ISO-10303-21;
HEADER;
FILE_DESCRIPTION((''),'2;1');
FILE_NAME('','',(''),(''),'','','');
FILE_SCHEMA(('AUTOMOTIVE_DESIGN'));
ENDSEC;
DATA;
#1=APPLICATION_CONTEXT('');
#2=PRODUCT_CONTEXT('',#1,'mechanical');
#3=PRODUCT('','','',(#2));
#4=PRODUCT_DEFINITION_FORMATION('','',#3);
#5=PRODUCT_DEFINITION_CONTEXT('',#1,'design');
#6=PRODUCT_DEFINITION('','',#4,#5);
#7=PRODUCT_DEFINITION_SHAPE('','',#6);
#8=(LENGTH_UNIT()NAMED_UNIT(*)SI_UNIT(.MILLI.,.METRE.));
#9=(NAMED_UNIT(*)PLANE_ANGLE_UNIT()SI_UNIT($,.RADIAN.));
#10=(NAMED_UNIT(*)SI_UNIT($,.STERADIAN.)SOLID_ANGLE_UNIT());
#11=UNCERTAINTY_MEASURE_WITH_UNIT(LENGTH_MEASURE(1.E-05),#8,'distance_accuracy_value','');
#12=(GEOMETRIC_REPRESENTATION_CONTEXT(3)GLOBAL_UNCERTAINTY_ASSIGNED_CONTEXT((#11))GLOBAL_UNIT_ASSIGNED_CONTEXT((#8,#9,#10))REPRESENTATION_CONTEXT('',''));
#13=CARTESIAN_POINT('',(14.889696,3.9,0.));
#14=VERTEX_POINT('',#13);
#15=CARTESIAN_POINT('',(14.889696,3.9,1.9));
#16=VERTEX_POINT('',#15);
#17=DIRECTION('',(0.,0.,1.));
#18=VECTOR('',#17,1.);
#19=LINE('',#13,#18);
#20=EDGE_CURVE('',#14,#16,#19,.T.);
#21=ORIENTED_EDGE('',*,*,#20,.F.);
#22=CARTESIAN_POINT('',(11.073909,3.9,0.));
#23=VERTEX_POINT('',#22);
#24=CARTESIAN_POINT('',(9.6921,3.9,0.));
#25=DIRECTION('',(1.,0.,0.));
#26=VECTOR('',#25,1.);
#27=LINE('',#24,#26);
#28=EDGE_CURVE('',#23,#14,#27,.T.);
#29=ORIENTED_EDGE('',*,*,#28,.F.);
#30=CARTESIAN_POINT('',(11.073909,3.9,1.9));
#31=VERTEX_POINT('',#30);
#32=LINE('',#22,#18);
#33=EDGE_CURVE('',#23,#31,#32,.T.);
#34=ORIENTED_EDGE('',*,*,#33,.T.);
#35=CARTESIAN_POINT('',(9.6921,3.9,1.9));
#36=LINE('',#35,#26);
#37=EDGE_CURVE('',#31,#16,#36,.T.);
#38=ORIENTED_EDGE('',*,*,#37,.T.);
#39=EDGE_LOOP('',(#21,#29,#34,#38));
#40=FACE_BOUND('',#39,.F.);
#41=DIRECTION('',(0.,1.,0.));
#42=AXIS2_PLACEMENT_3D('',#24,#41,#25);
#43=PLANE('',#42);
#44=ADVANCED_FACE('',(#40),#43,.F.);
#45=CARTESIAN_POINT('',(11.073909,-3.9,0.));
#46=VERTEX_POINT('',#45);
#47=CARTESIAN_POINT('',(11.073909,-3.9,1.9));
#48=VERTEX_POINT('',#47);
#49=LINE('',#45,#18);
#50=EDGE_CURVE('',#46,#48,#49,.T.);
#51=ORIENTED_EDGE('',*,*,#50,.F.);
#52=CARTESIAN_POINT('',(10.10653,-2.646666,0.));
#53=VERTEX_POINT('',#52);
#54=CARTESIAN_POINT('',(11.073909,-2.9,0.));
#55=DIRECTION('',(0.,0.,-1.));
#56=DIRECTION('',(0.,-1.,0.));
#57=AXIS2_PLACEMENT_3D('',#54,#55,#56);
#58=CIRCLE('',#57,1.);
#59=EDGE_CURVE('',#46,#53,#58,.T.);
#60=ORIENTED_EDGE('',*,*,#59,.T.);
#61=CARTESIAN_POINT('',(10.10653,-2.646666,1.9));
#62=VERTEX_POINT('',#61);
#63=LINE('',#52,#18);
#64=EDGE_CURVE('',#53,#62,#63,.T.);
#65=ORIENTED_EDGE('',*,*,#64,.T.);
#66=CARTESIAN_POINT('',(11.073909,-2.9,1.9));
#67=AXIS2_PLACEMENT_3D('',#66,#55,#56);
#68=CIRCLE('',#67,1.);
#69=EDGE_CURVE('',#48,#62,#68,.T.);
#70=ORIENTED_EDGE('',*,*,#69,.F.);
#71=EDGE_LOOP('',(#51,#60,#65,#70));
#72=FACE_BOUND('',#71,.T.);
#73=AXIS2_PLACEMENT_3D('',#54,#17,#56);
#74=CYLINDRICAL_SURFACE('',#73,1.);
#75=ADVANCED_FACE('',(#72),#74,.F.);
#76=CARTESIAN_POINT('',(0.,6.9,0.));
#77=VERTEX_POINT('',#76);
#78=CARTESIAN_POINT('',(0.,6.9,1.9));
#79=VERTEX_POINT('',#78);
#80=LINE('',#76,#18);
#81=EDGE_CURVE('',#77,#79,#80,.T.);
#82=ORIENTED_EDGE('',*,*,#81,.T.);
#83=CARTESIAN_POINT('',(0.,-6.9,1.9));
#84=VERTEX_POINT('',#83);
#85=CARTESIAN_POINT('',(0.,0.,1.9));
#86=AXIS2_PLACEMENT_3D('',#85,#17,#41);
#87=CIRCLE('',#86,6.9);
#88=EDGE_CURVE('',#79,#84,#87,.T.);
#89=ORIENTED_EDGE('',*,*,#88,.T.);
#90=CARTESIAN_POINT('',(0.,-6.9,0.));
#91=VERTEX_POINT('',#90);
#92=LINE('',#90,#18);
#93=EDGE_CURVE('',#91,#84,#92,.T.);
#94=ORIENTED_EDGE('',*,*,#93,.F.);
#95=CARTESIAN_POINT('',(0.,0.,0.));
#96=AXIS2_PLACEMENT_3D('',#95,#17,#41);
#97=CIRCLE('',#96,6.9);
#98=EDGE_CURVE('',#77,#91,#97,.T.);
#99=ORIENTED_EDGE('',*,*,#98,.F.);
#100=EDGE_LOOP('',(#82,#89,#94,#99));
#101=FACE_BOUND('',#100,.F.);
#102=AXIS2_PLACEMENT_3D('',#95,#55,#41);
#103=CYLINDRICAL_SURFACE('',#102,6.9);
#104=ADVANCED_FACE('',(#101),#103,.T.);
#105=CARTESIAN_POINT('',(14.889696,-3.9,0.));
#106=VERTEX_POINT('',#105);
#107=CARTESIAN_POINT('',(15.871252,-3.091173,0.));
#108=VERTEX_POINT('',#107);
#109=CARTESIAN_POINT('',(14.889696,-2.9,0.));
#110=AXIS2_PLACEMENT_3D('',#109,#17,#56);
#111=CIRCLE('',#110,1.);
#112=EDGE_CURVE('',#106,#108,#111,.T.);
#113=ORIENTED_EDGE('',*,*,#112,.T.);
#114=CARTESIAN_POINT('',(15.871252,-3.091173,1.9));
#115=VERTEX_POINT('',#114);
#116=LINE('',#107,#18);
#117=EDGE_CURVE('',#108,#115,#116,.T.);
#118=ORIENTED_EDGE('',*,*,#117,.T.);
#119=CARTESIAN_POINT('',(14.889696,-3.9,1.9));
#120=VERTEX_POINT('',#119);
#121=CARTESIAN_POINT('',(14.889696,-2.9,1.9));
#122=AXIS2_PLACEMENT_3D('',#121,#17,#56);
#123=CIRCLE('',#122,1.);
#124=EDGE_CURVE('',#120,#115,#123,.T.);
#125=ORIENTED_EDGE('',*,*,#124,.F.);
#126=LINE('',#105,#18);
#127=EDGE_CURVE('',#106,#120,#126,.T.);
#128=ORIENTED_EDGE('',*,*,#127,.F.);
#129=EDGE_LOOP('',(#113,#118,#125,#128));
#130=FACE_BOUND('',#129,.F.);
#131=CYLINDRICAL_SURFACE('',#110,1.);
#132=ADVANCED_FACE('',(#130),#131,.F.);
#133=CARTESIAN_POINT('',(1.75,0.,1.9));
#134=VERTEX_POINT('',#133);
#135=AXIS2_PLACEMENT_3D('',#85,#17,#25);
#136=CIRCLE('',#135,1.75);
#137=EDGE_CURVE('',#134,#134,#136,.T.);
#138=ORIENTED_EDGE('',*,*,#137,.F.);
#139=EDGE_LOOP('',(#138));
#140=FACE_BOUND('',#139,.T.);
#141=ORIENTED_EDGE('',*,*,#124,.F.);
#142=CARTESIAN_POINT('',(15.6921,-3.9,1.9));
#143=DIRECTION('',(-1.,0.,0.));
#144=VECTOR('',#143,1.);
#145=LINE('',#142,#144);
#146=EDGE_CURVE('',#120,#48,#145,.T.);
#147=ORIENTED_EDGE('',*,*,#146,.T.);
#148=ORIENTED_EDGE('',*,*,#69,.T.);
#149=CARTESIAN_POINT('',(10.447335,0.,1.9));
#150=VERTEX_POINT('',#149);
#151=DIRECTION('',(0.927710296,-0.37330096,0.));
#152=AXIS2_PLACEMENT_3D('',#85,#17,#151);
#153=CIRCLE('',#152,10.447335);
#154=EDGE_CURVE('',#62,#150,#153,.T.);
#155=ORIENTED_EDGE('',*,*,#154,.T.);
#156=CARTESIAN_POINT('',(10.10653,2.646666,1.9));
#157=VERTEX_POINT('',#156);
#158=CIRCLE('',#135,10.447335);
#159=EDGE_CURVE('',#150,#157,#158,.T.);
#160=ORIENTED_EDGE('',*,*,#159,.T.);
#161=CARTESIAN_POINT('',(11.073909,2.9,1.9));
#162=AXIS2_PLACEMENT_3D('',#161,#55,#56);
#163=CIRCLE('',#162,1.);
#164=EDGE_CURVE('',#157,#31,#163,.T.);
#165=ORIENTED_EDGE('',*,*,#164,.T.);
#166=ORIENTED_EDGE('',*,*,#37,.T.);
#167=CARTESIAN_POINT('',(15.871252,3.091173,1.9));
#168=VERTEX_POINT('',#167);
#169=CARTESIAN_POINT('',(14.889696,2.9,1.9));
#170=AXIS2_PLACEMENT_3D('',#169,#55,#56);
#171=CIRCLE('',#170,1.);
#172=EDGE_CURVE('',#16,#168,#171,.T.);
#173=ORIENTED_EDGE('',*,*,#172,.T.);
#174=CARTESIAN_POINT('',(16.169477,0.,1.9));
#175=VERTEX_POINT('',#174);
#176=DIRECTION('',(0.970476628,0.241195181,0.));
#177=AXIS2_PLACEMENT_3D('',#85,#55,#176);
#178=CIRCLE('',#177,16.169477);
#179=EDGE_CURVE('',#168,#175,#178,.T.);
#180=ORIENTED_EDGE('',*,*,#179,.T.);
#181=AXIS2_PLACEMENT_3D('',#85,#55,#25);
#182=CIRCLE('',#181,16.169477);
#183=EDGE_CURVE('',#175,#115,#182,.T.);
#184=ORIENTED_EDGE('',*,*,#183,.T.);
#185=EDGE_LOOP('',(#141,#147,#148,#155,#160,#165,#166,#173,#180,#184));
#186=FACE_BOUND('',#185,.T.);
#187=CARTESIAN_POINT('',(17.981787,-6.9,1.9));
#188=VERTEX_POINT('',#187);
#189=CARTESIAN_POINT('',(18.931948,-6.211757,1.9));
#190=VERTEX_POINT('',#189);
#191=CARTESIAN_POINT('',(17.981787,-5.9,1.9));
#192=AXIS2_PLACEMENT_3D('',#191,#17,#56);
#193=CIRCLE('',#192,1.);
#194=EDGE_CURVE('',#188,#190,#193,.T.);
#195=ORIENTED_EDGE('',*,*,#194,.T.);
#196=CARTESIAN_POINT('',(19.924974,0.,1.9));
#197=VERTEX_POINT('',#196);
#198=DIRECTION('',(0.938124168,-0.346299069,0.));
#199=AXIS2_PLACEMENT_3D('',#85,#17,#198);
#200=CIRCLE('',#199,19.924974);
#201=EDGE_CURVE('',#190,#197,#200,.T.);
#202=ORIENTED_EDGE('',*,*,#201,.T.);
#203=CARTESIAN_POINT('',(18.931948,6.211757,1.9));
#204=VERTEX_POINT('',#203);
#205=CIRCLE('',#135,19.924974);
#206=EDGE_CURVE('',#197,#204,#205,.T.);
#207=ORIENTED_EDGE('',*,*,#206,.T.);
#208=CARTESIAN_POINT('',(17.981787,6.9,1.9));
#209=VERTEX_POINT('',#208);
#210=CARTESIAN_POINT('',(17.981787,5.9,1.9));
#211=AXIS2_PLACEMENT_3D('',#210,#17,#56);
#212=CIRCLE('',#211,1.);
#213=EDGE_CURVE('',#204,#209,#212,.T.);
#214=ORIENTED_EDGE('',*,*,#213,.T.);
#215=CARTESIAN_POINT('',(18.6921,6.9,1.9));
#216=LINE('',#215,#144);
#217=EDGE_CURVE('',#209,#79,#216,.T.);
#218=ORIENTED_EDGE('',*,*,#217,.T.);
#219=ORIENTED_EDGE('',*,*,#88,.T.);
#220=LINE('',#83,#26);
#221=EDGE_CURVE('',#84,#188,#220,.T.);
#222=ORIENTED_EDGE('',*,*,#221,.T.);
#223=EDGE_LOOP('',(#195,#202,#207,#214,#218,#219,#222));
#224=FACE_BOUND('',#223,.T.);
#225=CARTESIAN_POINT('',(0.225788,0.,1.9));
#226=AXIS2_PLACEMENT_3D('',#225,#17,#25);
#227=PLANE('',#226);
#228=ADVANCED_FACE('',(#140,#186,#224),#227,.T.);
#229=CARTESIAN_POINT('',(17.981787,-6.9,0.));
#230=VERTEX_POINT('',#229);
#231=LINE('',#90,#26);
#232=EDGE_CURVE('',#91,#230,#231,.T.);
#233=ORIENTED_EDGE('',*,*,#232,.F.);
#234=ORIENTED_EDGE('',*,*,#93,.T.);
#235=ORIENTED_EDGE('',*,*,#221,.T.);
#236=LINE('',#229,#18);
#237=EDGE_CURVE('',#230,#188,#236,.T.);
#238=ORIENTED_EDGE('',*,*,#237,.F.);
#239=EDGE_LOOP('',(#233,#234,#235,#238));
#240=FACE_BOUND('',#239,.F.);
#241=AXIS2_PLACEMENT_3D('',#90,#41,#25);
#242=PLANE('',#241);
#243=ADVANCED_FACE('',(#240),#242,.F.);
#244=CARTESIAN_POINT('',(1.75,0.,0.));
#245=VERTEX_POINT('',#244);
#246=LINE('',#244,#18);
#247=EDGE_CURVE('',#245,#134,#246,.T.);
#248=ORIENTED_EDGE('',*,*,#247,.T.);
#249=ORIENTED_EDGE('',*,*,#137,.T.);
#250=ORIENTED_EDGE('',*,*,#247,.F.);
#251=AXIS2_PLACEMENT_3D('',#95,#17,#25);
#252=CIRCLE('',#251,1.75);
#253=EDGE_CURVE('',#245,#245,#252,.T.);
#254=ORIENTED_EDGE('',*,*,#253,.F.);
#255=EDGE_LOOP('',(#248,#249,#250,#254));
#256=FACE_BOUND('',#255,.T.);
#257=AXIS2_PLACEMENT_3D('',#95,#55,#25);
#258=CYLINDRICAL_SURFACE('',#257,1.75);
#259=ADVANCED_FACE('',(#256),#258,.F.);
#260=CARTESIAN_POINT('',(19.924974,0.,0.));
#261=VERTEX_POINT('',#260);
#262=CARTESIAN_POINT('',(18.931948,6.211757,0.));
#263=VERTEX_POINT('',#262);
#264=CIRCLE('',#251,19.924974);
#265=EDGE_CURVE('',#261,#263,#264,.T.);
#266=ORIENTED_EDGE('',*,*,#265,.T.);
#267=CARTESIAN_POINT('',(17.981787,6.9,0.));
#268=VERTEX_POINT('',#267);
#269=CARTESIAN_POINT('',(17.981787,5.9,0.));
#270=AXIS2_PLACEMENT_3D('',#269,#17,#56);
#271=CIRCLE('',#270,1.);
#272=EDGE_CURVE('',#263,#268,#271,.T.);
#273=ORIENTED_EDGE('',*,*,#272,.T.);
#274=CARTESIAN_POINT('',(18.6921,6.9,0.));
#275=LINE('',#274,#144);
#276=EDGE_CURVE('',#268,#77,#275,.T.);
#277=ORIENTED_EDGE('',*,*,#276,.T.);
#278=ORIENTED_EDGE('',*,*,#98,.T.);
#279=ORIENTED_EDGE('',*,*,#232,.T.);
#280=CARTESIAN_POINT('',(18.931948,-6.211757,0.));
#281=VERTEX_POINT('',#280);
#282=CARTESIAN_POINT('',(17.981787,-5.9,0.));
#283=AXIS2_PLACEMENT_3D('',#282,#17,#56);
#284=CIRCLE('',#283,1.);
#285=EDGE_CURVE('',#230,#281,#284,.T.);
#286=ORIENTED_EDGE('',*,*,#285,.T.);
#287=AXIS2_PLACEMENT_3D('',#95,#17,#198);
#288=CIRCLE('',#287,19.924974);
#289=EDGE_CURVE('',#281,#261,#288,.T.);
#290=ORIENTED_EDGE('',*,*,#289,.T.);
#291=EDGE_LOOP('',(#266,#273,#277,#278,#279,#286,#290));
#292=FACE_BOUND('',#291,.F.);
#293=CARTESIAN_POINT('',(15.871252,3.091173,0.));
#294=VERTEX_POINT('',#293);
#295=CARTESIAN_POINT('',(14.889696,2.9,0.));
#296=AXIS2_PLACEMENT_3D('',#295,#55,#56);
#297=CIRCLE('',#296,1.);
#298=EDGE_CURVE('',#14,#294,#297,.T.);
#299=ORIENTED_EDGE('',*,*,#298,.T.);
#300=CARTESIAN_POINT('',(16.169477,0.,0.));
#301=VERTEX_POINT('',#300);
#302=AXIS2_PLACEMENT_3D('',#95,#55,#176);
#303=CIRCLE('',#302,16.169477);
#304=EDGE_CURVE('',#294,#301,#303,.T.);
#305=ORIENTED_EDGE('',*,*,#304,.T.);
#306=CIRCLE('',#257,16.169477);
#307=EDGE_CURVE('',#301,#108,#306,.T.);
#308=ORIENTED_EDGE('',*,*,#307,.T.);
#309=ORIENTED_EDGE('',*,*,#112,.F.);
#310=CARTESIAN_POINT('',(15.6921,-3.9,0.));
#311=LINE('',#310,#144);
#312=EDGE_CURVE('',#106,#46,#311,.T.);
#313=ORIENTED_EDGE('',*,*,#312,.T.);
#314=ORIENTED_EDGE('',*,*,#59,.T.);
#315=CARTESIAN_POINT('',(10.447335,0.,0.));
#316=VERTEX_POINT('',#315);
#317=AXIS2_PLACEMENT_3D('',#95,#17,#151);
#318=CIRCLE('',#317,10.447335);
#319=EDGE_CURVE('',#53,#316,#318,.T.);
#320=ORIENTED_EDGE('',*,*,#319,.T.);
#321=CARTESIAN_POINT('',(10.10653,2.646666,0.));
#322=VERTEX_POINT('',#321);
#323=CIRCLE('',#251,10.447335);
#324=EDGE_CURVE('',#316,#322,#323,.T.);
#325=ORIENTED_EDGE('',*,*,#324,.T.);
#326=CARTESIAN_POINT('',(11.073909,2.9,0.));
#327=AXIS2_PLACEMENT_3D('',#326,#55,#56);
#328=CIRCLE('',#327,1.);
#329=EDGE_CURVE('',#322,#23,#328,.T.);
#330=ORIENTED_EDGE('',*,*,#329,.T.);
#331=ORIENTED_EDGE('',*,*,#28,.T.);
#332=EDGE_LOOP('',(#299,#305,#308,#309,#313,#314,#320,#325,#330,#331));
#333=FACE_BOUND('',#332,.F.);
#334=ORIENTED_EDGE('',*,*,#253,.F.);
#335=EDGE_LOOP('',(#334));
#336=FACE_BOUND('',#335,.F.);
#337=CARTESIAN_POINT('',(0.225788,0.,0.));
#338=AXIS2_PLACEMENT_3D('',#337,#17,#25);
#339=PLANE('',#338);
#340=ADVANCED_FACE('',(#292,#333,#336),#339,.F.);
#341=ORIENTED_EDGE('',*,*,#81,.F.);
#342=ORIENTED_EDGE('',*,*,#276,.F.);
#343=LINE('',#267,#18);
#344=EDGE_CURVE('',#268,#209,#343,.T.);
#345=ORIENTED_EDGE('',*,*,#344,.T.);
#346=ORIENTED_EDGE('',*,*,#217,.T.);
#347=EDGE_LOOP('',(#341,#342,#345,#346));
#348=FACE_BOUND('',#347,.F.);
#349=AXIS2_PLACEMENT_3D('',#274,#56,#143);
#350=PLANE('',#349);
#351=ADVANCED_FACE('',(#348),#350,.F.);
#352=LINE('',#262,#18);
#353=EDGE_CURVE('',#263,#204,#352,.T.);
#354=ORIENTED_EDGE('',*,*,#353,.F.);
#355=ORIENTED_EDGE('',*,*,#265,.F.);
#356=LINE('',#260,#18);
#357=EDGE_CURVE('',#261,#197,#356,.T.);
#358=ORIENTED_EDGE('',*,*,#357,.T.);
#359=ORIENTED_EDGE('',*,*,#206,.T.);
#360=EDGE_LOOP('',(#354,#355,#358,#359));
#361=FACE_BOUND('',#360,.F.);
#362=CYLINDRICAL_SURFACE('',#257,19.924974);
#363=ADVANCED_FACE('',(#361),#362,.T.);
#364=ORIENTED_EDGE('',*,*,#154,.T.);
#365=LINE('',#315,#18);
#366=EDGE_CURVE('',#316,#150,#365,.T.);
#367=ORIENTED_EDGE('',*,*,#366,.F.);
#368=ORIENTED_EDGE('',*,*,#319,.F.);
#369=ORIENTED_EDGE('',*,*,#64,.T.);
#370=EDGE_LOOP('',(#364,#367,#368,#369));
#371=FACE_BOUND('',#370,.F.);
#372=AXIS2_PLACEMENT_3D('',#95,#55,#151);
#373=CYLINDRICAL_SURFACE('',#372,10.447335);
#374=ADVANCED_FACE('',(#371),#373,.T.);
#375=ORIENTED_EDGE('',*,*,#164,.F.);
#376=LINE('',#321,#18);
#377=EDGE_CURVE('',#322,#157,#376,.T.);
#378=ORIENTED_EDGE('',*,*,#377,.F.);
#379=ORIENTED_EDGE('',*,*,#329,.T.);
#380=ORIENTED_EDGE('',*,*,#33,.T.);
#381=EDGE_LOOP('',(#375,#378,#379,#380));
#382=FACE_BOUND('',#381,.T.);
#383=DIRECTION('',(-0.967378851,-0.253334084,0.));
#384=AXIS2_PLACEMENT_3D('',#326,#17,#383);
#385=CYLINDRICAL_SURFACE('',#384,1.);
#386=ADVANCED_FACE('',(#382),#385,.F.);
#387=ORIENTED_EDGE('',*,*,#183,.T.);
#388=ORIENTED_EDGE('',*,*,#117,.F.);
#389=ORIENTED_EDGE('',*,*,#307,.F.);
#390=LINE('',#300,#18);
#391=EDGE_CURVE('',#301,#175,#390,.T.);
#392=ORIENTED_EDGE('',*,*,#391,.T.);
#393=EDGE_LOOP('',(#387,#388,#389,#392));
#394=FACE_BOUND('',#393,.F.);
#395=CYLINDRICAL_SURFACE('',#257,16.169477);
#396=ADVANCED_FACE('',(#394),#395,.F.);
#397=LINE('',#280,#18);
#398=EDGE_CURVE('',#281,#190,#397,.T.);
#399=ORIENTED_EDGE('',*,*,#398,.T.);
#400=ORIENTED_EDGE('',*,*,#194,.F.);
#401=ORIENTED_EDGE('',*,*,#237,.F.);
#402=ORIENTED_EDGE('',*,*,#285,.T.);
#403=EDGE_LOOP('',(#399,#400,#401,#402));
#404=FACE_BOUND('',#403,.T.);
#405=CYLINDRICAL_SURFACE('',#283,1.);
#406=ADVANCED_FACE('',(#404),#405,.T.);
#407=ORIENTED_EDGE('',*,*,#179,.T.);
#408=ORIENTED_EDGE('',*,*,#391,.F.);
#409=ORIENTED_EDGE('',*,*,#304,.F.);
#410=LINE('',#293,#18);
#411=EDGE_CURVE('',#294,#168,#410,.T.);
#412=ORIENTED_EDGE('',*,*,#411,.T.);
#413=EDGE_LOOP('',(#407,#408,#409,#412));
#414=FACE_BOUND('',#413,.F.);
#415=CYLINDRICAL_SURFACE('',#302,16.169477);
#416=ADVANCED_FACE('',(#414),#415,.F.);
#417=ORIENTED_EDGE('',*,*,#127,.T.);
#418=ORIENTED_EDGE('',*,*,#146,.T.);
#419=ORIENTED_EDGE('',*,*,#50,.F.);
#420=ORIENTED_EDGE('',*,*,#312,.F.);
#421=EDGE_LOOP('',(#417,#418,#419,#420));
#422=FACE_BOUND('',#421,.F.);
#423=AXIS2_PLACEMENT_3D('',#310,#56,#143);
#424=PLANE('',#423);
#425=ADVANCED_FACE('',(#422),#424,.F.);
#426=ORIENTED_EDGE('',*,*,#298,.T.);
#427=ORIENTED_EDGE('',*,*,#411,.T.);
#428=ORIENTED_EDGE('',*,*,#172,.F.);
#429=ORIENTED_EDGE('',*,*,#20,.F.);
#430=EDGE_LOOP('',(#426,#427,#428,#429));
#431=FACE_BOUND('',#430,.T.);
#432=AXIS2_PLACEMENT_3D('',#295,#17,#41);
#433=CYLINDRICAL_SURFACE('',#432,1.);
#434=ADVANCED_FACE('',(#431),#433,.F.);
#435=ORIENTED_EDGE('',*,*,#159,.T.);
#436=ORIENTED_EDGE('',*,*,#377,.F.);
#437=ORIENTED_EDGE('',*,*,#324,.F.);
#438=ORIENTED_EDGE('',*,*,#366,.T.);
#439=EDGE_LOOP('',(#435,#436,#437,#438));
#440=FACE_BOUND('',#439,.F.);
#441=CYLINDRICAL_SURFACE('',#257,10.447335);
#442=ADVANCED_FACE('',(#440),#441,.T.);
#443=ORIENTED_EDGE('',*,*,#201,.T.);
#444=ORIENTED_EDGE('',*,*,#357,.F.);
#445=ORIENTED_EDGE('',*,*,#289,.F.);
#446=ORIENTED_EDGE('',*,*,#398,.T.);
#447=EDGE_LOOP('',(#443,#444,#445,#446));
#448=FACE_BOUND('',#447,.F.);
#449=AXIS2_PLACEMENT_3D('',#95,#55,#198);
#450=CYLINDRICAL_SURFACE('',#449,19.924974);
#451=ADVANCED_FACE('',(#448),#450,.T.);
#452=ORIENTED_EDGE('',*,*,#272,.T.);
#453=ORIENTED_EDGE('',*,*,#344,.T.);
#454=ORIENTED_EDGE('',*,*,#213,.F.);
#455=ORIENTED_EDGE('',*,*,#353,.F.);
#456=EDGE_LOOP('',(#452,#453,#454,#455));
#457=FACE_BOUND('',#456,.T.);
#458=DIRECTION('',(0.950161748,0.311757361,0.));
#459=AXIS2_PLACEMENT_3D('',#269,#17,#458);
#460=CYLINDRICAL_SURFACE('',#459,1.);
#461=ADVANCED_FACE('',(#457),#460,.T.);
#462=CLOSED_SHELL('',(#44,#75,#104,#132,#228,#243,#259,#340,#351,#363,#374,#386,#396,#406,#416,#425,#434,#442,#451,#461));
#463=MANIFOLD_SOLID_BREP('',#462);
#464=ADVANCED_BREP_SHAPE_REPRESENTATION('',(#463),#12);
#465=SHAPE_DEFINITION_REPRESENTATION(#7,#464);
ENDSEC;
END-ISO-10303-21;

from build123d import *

# Parameters (mm, degrees)
F0_R     = 1.75
F1_DEPTH = 1.9
F2_R     = 1


with BuildPart() as f1:
    # F0 (on Top) → F1 (new body)
    with BuildSketch(Plane.XY):
        with BuildLine():
            ThreePointArc((0, -6.9), (4.8790367902, -4.8790367902), (6.9, 0))
            ThreePointArc((6.9, 0), (4.8790367902, 4.8790367902), (0, 6.9))
            ThreePointArc((0, 6.9), (-6.9, 0), (0, -6.9))
        make_face()
        Circle(F0_R, mode=Mode.SUBTRACT)
        with BuildLine():
            ThreePointArc((0, 6.9), (4.8790367902, 4.8790367902), (6.9, 0))
            ThreePointArc((6.9, 0), (4.8790367902, -4.8790367902), (0, -6.9))
            Line((0, -6.9), (7.8445393942, -6.9))
            ThreePointArc((7.8445393942, -6.9), (8.8956971876, -5.4784459341), (9.6920997883, -3.9))
            ThreePointArc((9.6920997883, -3.9), (10.2567881638, -1.9862262888), (10.4473345073, 0))
            ThreePointArc((10.4473345073, 0), (10.2567881638, 1.9862262888), (9.6920997883, 3.9))
            ThreePointArc((9.6920997883, 3.9), (8.8956971876, 5.4784459341), (7.8445393942, 6.9))
            Line((7.8445393942, 6.9), (0, 6.9))
        make_face()
        with BuildLine():
            Line((14.6233373676, 6.9), (7.8445393942, 6.9))
            ThreePointArc((7.8445393942, 6.9), (8.8956971876, 5.4784459341), (9.6920997883, 3.9))
            Line((9.6920997883, 3.9), (15.6920997883, 3.9))
            ThreePointArc((15.6920997883, 3.9), (15.231757367, 5.4263766252), (14.6233373676, 6.9))
        make_face()
        with BuildLine():
            ThreePointArc((9.6920997883, -3.9), (8.8956971876, -5.4784459341), (7.8445393942, -6.9))
            Line((7.8445393942, -6.9), (14.6233373676, -6.9))
            ThreePointArc((14.6233373676, -6.9), (15.231757367, -5.4263766252), (15.6920997883, -3.9))
            Line((15.6920997883, -3.9), (9.6920997883, -3.9))
        make_face()
        with BuildLine():
            Line((18.6920997883, 6.9), (14.6233373676, 6.9))
            ThreePointArc((14.6233373676, 6.9), (15.231757367, 5.4263766252), (15.6920997883, 3.9))
            ThreePointArc((15.6920997883, 3.9), (16.0496892009, 1.9645539746), (16.169477288, 0))
            ThreePointArc((16.169477288, 0), (16.0496892009, -1.9645539746), (15.6920997883, -3.9))
            ThreePointArc((15.6920997883, -3.9), (15.231757367, -5.4263766252), (14.6233373676, -6.9))
            Line((14.6233373676, -6.9), (18.6920997883, -6.9))
            ThreePointArc((18.6920997883, -6.9), (19.6143340367, -3.5046390388), (19.9249741404, 0))
            ThreePointArc((19.9249741404, 0), (19.6143340367, 3.5046390388), (18.6920997883, 6.9))
        make_face()
    extrude(amount=F1_DEPTH)

    # F2
    f2_edges = [f1.edges().sort_by_distance(p)[0] for p in [
        (18.6921, -6.9, 0.95),
        (18.6921, 6.9, 0.95),
        (9.6921, 3.9, 0.95),
        (15.6921, 3.9, 0.95),
        (9.6921, -3.9, 0.95),
        (15.6921, -3.9, 0.95),
    ]]
    fillet(f2_edges, radius=F2_R)


solid = f1.part
